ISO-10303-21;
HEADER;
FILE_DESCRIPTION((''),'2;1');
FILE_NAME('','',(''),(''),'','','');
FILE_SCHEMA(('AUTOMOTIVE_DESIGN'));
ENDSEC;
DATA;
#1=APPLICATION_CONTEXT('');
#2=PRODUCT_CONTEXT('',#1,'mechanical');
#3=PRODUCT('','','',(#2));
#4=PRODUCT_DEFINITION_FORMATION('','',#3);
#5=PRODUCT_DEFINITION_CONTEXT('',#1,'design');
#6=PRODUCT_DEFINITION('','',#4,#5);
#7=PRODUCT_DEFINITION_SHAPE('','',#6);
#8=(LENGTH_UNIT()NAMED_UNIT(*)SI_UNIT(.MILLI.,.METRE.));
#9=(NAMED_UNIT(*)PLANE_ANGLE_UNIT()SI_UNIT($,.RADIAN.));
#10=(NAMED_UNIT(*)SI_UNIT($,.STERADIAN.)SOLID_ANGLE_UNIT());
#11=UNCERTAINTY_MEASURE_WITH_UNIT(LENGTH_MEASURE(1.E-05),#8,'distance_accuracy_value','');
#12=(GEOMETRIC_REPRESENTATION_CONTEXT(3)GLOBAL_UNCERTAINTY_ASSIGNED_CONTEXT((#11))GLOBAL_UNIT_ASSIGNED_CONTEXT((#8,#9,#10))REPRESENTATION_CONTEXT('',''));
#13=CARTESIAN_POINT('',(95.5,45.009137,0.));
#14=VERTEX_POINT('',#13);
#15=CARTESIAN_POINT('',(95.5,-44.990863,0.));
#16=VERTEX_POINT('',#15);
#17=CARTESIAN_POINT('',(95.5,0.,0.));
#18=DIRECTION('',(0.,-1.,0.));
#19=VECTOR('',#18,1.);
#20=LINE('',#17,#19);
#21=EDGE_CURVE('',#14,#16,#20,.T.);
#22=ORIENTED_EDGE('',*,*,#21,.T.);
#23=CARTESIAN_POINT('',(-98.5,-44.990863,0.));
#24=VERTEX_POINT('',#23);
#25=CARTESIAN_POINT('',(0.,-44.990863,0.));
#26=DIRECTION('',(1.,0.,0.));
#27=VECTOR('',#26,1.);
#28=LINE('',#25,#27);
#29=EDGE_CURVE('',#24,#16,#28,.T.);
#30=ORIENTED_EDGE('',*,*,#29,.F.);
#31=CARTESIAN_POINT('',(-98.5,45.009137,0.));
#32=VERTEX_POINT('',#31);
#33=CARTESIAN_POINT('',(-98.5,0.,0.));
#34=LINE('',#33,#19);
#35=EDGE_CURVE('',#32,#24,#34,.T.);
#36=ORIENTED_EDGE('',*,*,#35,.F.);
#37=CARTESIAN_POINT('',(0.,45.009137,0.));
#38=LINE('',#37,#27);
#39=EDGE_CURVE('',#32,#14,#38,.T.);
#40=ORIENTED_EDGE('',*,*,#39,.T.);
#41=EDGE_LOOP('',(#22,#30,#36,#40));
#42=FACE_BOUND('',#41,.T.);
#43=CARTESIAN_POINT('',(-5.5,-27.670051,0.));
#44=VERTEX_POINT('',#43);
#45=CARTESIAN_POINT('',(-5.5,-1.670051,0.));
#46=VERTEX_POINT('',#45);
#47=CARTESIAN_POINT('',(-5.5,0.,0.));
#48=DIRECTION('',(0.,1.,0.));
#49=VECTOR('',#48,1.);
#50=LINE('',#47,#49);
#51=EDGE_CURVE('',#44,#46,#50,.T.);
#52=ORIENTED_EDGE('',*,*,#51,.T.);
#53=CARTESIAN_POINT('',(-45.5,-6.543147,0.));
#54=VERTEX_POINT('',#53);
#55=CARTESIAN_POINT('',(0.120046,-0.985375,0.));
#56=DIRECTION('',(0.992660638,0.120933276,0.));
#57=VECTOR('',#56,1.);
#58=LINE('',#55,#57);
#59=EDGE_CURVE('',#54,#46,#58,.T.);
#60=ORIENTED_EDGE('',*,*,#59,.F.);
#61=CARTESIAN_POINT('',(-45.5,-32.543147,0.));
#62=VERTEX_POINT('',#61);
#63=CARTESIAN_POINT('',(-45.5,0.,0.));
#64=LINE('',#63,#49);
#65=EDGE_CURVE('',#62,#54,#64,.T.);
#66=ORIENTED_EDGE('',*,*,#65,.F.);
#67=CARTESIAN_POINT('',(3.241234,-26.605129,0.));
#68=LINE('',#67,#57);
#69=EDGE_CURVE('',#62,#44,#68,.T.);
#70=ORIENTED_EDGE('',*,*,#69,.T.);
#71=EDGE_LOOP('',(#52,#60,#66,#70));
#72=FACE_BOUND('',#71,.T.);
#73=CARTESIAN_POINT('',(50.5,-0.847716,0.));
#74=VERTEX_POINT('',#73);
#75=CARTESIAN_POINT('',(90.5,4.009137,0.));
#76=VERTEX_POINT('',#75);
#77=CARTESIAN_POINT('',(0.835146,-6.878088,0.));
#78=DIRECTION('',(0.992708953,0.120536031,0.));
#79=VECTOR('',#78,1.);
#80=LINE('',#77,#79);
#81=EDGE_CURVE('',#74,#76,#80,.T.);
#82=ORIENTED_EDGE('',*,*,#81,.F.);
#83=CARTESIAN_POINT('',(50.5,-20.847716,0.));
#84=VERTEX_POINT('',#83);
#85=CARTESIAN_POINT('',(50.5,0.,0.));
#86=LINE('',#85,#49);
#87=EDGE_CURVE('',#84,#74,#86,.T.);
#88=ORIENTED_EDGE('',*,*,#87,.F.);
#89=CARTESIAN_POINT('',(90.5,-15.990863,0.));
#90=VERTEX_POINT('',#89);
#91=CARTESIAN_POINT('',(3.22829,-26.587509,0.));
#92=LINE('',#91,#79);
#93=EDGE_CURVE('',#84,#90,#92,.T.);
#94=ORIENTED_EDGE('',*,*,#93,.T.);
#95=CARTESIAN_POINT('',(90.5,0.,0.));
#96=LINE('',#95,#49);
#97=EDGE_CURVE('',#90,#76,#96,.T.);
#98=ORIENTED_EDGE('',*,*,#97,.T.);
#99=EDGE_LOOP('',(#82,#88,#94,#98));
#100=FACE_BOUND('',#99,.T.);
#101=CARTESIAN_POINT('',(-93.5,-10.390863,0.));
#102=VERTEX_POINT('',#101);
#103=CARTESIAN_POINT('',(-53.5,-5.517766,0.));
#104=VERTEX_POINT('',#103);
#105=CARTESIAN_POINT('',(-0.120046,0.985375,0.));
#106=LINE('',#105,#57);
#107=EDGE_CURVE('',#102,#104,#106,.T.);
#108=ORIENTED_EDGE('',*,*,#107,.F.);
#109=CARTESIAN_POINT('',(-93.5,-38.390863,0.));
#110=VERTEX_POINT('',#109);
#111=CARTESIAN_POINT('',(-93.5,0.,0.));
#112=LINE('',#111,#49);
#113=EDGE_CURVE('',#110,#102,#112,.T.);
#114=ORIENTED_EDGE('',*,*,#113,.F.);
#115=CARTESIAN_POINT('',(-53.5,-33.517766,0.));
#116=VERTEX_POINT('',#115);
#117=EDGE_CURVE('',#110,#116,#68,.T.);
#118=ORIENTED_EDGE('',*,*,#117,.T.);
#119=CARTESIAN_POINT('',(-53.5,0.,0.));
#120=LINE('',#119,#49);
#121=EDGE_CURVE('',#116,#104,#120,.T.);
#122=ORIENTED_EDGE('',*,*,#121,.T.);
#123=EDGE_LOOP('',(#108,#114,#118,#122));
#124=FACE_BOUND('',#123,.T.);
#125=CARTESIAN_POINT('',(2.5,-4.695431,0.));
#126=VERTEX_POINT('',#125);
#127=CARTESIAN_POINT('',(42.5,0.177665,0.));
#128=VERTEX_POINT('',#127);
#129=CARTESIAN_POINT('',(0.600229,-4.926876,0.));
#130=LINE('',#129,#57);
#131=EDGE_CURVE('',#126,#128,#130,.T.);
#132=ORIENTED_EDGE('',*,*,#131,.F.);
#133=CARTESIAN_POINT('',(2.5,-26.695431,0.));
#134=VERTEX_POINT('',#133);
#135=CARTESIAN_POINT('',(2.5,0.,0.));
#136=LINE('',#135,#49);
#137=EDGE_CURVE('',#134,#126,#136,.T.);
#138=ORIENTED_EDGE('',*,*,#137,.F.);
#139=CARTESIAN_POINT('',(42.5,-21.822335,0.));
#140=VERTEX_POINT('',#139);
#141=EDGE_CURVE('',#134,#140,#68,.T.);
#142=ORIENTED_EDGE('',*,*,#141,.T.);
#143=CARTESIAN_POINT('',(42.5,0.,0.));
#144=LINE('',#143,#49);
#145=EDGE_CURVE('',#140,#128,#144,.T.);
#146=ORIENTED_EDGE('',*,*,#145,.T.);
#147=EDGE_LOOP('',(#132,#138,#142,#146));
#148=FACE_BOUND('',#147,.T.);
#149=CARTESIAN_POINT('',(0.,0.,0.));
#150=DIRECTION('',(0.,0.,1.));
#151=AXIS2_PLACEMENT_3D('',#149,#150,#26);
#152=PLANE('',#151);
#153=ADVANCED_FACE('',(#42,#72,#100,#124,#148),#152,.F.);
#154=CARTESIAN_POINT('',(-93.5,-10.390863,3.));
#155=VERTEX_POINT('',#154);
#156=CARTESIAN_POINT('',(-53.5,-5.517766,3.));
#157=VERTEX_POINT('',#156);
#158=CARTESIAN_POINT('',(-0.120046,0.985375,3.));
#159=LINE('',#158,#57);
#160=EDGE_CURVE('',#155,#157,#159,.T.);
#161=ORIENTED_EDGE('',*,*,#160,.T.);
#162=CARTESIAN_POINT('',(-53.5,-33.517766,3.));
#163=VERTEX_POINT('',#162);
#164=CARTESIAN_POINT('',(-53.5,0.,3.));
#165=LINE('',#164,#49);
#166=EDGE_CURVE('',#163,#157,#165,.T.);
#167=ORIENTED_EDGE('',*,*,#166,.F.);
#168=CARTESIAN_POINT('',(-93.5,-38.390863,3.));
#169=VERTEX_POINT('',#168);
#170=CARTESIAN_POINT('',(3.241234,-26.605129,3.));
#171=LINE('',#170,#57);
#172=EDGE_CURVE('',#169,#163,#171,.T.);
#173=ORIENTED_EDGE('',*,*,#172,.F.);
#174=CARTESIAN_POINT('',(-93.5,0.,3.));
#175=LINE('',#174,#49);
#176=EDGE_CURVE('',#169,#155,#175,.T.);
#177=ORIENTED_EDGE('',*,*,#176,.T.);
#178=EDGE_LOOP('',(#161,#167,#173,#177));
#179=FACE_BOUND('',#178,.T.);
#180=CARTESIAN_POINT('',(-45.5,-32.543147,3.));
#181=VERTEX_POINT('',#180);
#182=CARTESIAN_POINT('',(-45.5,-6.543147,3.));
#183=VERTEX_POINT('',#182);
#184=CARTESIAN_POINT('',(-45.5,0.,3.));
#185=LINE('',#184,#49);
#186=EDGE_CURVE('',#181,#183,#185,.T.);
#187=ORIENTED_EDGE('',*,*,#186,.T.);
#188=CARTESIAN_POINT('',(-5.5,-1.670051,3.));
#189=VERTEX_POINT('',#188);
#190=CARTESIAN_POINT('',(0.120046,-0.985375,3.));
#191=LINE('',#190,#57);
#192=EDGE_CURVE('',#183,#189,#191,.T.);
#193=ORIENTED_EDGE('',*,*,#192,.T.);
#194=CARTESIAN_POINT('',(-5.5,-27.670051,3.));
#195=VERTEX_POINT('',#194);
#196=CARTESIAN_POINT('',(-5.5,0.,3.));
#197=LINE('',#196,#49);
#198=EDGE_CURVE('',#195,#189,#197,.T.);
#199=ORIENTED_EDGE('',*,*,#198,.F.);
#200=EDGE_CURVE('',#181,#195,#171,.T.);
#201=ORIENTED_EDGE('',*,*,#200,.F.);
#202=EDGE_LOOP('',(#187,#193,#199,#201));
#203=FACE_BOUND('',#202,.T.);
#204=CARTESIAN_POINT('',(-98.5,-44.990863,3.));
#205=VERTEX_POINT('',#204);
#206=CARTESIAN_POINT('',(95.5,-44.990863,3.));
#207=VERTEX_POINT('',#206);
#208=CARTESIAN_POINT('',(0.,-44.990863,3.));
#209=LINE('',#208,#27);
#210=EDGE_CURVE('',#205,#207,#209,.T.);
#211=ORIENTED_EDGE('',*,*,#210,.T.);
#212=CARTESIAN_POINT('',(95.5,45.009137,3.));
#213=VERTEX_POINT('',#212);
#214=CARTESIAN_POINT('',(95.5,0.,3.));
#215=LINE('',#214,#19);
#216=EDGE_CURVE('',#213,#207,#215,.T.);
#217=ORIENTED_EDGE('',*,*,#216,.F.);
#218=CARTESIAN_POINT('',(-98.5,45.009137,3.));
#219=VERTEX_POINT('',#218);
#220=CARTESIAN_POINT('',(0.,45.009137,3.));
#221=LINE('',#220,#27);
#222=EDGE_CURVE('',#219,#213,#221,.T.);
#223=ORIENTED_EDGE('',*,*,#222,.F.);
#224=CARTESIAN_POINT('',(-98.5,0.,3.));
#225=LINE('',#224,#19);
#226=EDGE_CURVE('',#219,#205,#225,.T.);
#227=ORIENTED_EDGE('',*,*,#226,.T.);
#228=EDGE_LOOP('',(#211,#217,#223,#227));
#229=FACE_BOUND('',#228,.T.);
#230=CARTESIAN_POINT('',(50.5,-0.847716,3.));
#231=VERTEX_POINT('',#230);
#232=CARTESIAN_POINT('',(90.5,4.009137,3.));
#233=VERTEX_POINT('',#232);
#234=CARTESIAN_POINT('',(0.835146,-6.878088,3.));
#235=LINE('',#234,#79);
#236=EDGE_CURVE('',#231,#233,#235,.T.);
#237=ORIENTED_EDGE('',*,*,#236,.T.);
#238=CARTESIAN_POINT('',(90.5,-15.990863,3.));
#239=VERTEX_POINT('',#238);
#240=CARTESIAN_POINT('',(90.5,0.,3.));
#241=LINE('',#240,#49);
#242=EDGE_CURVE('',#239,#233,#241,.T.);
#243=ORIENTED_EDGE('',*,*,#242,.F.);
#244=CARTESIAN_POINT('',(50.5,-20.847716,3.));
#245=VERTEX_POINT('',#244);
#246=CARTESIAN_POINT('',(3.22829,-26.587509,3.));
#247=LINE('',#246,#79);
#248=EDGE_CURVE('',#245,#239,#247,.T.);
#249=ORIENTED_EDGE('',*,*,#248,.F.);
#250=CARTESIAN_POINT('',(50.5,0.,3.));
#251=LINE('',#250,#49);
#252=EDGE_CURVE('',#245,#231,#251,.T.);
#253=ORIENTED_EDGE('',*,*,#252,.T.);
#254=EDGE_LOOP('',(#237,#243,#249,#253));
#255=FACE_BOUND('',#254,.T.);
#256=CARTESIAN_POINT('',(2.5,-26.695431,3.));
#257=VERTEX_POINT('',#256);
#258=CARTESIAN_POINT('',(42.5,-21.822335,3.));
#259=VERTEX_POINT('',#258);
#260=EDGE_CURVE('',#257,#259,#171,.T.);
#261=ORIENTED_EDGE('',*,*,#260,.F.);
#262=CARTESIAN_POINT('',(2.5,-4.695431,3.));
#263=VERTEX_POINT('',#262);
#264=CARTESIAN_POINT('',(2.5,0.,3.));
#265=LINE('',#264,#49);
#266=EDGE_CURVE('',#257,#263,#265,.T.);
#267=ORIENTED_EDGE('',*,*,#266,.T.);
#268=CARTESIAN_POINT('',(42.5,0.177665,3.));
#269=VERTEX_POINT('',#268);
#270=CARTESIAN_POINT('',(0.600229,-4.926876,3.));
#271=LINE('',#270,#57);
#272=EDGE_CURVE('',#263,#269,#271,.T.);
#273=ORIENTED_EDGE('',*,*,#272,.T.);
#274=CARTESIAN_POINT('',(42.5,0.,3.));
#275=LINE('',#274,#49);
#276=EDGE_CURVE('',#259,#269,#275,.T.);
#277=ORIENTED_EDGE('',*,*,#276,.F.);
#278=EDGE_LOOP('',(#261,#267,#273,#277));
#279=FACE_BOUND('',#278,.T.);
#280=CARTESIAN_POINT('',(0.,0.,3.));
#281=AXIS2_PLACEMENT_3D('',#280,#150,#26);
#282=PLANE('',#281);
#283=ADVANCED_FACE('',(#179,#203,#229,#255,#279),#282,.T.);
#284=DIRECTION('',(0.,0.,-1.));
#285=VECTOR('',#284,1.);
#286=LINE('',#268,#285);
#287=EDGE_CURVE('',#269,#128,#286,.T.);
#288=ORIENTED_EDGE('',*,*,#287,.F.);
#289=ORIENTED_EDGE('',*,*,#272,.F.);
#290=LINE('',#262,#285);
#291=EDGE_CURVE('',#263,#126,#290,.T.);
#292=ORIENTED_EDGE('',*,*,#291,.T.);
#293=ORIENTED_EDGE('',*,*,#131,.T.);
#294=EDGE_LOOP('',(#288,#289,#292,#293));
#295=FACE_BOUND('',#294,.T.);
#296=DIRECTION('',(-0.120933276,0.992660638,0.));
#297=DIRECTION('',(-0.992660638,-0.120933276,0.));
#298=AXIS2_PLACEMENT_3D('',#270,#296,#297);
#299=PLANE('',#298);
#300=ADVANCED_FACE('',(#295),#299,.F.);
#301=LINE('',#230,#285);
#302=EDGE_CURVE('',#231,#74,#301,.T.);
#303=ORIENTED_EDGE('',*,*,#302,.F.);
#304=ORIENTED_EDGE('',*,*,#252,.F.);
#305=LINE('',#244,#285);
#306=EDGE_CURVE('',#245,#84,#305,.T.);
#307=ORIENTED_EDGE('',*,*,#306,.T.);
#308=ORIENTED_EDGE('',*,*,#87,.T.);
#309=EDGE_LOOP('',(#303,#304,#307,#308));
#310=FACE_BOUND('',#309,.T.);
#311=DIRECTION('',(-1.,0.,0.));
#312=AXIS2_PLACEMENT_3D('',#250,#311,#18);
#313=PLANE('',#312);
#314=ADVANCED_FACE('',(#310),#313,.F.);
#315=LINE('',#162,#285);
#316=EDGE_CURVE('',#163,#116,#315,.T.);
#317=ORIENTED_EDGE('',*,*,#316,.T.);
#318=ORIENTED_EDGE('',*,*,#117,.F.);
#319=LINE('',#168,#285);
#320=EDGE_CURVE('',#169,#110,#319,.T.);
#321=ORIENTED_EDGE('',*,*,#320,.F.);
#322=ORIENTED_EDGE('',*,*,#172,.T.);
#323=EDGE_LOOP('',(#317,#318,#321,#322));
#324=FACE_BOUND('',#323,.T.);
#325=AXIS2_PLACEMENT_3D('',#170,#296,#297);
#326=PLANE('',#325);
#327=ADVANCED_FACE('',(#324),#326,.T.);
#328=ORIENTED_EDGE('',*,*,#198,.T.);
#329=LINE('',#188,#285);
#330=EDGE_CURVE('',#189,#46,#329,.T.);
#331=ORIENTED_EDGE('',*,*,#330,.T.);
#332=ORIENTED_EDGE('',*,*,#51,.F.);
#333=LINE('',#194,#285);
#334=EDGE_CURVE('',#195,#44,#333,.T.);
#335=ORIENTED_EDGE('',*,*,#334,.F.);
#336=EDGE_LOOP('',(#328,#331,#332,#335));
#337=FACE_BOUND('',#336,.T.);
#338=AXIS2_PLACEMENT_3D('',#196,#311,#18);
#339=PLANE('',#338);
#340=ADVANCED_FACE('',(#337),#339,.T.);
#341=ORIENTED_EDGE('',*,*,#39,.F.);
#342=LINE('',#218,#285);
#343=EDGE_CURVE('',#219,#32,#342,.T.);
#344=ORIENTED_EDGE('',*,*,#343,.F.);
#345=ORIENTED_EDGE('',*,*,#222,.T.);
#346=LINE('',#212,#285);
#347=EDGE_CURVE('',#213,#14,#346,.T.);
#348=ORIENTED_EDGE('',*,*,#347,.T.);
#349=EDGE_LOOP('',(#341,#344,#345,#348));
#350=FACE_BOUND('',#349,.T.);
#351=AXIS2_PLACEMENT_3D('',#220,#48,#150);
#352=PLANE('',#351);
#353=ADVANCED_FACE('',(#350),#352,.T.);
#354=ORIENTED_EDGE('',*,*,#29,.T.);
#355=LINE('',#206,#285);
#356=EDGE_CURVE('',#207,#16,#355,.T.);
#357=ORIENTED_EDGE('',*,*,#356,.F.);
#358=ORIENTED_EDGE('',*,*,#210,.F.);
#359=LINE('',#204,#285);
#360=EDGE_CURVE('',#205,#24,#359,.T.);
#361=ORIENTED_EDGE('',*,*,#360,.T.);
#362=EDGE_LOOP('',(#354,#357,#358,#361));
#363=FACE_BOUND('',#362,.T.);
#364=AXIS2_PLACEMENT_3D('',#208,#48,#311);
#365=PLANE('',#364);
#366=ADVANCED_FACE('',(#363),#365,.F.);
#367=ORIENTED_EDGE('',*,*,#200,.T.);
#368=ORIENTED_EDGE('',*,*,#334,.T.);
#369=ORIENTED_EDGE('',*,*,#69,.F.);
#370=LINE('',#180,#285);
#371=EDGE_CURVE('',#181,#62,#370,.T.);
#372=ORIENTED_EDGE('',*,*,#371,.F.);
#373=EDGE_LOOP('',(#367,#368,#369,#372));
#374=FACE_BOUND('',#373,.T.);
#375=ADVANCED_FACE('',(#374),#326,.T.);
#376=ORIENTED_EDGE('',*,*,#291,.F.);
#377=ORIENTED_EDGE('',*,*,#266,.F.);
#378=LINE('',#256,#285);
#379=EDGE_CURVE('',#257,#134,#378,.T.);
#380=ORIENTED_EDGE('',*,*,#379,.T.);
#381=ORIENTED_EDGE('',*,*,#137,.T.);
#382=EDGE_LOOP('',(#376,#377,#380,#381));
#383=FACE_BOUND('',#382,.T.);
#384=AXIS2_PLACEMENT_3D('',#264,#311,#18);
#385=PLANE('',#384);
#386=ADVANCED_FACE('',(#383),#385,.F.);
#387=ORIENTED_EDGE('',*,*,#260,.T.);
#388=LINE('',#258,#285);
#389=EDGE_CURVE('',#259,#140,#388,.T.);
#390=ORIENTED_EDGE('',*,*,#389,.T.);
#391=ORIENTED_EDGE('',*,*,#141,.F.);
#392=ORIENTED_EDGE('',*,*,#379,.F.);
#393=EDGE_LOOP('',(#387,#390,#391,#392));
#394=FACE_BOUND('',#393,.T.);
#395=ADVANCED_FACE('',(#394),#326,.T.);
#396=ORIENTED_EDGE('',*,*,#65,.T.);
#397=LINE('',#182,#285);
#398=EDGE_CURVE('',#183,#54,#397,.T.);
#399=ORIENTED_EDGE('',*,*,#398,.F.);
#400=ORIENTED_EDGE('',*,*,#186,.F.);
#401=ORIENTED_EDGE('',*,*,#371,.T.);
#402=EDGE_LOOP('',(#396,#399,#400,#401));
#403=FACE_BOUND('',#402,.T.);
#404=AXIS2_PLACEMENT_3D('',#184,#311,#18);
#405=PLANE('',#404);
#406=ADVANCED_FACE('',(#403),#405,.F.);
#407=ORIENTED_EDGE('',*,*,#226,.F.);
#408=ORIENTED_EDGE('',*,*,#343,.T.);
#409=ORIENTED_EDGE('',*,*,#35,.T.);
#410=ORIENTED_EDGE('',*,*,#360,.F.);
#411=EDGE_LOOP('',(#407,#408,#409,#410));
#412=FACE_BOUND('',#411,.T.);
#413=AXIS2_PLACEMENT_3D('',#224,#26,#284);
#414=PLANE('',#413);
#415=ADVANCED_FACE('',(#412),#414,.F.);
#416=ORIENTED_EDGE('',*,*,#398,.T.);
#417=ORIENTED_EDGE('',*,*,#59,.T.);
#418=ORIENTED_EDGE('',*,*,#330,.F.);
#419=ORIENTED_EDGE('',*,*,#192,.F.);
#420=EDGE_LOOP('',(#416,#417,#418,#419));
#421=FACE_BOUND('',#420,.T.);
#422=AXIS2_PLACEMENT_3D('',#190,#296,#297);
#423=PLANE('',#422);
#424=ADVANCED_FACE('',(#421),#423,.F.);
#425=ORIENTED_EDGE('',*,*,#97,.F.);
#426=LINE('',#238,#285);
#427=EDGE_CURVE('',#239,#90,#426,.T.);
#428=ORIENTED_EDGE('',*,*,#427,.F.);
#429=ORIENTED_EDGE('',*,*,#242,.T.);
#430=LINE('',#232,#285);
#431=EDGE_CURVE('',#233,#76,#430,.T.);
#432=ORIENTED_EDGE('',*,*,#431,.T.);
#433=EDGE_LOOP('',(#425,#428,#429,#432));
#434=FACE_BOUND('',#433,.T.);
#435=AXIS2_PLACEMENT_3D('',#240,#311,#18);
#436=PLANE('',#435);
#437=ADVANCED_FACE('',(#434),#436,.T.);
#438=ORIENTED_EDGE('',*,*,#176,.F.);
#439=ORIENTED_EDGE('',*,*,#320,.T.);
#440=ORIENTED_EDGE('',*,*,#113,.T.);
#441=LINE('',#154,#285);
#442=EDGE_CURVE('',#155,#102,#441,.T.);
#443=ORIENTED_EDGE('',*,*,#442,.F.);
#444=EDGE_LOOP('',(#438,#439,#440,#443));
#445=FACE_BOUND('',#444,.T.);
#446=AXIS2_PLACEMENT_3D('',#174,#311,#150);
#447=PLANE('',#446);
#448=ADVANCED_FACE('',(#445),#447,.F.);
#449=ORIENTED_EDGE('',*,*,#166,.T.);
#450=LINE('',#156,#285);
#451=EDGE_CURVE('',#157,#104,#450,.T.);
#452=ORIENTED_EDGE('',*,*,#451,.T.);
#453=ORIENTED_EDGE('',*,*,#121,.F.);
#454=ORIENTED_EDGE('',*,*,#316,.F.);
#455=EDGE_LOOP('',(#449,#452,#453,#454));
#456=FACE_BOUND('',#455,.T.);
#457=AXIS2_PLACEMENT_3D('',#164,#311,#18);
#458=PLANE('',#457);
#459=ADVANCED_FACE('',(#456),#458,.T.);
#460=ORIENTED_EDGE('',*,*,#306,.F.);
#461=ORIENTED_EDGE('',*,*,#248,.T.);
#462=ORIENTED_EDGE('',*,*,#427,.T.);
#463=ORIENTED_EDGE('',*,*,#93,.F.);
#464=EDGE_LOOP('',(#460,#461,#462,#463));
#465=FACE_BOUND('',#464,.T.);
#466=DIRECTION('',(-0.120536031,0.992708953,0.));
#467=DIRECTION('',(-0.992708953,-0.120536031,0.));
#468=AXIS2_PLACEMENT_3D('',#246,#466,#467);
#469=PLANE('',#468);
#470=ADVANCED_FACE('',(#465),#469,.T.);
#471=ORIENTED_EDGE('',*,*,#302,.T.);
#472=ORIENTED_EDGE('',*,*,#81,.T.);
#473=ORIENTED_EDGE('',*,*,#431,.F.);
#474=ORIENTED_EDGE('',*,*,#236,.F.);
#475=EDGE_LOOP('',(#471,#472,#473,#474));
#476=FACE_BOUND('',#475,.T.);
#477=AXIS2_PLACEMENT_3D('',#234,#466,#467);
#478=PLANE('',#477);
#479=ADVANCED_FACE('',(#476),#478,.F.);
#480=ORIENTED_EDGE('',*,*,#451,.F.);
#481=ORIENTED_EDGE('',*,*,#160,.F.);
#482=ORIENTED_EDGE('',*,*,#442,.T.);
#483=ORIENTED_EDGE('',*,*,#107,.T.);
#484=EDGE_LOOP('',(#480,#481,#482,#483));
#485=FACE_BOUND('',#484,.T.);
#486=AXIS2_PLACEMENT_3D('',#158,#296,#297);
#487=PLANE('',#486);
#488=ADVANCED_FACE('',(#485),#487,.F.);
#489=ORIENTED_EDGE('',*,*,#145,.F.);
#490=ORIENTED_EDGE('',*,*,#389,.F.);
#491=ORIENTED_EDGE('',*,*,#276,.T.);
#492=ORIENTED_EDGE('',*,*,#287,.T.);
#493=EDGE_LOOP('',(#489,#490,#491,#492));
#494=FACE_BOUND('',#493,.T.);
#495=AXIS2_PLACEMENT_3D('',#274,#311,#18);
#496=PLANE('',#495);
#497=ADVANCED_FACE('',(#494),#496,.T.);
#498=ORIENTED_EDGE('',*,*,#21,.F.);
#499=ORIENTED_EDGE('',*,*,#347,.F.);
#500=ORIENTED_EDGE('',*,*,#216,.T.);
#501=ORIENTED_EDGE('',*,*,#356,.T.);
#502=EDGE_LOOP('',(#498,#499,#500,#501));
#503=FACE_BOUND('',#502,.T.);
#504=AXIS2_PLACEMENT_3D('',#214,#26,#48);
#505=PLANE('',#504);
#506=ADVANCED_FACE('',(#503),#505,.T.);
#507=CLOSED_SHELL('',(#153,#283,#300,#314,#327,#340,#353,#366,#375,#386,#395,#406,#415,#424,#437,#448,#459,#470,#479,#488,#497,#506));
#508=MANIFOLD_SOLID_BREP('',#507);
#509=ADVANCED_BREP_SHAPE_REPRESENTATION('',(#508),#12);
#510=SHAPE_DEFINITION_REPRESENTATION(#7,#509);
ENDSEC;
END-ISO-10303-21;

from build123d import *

# Parameters (mm, degrees)
SKETCH_1_W      = 194
SKETCH_1_H      = 90
EXTRUDE_1_DEPTH = 3


with BuildPart() as part:
    # 草圖1 → 填料-伸長1 (new body)
    with BuildSketch(Plane.XY):
        with Locations((-1.5, 0.009137056)):
            Rectangle(SKETCH_1_W, SKETCH_1_H)
        Polygon((50.5, -20.847715736), (50.5, -0.847715736), (90.5, 4.009137056), (90.5, -15.990862944), align=None, mode=Mode.SUBTRACT)
        Polygon((2.5, -26.695431472), (2.5, -4.695431472), (42.5, 0.177664975), (42.5, -21.822335025), align=None, mode=Mode.SUBTRACT)
        Polygon((-45.5, -32.543147208), (-45.5, -6.543147208), (-5.5, -1.670050761), (-5.5, -27.670050761), align=None, mode=Mode.SUBTRACT)
        Polygon((-93.5, -38.390862944), (-93.5, -10.390862944), (-53.5, -5.517766497), (-53.5, -33.517766497), align=None, mode=Mode.SUBTRACT)
    extrude(amount=EXTRUDE_1_DEPTH)


solid = part.part
